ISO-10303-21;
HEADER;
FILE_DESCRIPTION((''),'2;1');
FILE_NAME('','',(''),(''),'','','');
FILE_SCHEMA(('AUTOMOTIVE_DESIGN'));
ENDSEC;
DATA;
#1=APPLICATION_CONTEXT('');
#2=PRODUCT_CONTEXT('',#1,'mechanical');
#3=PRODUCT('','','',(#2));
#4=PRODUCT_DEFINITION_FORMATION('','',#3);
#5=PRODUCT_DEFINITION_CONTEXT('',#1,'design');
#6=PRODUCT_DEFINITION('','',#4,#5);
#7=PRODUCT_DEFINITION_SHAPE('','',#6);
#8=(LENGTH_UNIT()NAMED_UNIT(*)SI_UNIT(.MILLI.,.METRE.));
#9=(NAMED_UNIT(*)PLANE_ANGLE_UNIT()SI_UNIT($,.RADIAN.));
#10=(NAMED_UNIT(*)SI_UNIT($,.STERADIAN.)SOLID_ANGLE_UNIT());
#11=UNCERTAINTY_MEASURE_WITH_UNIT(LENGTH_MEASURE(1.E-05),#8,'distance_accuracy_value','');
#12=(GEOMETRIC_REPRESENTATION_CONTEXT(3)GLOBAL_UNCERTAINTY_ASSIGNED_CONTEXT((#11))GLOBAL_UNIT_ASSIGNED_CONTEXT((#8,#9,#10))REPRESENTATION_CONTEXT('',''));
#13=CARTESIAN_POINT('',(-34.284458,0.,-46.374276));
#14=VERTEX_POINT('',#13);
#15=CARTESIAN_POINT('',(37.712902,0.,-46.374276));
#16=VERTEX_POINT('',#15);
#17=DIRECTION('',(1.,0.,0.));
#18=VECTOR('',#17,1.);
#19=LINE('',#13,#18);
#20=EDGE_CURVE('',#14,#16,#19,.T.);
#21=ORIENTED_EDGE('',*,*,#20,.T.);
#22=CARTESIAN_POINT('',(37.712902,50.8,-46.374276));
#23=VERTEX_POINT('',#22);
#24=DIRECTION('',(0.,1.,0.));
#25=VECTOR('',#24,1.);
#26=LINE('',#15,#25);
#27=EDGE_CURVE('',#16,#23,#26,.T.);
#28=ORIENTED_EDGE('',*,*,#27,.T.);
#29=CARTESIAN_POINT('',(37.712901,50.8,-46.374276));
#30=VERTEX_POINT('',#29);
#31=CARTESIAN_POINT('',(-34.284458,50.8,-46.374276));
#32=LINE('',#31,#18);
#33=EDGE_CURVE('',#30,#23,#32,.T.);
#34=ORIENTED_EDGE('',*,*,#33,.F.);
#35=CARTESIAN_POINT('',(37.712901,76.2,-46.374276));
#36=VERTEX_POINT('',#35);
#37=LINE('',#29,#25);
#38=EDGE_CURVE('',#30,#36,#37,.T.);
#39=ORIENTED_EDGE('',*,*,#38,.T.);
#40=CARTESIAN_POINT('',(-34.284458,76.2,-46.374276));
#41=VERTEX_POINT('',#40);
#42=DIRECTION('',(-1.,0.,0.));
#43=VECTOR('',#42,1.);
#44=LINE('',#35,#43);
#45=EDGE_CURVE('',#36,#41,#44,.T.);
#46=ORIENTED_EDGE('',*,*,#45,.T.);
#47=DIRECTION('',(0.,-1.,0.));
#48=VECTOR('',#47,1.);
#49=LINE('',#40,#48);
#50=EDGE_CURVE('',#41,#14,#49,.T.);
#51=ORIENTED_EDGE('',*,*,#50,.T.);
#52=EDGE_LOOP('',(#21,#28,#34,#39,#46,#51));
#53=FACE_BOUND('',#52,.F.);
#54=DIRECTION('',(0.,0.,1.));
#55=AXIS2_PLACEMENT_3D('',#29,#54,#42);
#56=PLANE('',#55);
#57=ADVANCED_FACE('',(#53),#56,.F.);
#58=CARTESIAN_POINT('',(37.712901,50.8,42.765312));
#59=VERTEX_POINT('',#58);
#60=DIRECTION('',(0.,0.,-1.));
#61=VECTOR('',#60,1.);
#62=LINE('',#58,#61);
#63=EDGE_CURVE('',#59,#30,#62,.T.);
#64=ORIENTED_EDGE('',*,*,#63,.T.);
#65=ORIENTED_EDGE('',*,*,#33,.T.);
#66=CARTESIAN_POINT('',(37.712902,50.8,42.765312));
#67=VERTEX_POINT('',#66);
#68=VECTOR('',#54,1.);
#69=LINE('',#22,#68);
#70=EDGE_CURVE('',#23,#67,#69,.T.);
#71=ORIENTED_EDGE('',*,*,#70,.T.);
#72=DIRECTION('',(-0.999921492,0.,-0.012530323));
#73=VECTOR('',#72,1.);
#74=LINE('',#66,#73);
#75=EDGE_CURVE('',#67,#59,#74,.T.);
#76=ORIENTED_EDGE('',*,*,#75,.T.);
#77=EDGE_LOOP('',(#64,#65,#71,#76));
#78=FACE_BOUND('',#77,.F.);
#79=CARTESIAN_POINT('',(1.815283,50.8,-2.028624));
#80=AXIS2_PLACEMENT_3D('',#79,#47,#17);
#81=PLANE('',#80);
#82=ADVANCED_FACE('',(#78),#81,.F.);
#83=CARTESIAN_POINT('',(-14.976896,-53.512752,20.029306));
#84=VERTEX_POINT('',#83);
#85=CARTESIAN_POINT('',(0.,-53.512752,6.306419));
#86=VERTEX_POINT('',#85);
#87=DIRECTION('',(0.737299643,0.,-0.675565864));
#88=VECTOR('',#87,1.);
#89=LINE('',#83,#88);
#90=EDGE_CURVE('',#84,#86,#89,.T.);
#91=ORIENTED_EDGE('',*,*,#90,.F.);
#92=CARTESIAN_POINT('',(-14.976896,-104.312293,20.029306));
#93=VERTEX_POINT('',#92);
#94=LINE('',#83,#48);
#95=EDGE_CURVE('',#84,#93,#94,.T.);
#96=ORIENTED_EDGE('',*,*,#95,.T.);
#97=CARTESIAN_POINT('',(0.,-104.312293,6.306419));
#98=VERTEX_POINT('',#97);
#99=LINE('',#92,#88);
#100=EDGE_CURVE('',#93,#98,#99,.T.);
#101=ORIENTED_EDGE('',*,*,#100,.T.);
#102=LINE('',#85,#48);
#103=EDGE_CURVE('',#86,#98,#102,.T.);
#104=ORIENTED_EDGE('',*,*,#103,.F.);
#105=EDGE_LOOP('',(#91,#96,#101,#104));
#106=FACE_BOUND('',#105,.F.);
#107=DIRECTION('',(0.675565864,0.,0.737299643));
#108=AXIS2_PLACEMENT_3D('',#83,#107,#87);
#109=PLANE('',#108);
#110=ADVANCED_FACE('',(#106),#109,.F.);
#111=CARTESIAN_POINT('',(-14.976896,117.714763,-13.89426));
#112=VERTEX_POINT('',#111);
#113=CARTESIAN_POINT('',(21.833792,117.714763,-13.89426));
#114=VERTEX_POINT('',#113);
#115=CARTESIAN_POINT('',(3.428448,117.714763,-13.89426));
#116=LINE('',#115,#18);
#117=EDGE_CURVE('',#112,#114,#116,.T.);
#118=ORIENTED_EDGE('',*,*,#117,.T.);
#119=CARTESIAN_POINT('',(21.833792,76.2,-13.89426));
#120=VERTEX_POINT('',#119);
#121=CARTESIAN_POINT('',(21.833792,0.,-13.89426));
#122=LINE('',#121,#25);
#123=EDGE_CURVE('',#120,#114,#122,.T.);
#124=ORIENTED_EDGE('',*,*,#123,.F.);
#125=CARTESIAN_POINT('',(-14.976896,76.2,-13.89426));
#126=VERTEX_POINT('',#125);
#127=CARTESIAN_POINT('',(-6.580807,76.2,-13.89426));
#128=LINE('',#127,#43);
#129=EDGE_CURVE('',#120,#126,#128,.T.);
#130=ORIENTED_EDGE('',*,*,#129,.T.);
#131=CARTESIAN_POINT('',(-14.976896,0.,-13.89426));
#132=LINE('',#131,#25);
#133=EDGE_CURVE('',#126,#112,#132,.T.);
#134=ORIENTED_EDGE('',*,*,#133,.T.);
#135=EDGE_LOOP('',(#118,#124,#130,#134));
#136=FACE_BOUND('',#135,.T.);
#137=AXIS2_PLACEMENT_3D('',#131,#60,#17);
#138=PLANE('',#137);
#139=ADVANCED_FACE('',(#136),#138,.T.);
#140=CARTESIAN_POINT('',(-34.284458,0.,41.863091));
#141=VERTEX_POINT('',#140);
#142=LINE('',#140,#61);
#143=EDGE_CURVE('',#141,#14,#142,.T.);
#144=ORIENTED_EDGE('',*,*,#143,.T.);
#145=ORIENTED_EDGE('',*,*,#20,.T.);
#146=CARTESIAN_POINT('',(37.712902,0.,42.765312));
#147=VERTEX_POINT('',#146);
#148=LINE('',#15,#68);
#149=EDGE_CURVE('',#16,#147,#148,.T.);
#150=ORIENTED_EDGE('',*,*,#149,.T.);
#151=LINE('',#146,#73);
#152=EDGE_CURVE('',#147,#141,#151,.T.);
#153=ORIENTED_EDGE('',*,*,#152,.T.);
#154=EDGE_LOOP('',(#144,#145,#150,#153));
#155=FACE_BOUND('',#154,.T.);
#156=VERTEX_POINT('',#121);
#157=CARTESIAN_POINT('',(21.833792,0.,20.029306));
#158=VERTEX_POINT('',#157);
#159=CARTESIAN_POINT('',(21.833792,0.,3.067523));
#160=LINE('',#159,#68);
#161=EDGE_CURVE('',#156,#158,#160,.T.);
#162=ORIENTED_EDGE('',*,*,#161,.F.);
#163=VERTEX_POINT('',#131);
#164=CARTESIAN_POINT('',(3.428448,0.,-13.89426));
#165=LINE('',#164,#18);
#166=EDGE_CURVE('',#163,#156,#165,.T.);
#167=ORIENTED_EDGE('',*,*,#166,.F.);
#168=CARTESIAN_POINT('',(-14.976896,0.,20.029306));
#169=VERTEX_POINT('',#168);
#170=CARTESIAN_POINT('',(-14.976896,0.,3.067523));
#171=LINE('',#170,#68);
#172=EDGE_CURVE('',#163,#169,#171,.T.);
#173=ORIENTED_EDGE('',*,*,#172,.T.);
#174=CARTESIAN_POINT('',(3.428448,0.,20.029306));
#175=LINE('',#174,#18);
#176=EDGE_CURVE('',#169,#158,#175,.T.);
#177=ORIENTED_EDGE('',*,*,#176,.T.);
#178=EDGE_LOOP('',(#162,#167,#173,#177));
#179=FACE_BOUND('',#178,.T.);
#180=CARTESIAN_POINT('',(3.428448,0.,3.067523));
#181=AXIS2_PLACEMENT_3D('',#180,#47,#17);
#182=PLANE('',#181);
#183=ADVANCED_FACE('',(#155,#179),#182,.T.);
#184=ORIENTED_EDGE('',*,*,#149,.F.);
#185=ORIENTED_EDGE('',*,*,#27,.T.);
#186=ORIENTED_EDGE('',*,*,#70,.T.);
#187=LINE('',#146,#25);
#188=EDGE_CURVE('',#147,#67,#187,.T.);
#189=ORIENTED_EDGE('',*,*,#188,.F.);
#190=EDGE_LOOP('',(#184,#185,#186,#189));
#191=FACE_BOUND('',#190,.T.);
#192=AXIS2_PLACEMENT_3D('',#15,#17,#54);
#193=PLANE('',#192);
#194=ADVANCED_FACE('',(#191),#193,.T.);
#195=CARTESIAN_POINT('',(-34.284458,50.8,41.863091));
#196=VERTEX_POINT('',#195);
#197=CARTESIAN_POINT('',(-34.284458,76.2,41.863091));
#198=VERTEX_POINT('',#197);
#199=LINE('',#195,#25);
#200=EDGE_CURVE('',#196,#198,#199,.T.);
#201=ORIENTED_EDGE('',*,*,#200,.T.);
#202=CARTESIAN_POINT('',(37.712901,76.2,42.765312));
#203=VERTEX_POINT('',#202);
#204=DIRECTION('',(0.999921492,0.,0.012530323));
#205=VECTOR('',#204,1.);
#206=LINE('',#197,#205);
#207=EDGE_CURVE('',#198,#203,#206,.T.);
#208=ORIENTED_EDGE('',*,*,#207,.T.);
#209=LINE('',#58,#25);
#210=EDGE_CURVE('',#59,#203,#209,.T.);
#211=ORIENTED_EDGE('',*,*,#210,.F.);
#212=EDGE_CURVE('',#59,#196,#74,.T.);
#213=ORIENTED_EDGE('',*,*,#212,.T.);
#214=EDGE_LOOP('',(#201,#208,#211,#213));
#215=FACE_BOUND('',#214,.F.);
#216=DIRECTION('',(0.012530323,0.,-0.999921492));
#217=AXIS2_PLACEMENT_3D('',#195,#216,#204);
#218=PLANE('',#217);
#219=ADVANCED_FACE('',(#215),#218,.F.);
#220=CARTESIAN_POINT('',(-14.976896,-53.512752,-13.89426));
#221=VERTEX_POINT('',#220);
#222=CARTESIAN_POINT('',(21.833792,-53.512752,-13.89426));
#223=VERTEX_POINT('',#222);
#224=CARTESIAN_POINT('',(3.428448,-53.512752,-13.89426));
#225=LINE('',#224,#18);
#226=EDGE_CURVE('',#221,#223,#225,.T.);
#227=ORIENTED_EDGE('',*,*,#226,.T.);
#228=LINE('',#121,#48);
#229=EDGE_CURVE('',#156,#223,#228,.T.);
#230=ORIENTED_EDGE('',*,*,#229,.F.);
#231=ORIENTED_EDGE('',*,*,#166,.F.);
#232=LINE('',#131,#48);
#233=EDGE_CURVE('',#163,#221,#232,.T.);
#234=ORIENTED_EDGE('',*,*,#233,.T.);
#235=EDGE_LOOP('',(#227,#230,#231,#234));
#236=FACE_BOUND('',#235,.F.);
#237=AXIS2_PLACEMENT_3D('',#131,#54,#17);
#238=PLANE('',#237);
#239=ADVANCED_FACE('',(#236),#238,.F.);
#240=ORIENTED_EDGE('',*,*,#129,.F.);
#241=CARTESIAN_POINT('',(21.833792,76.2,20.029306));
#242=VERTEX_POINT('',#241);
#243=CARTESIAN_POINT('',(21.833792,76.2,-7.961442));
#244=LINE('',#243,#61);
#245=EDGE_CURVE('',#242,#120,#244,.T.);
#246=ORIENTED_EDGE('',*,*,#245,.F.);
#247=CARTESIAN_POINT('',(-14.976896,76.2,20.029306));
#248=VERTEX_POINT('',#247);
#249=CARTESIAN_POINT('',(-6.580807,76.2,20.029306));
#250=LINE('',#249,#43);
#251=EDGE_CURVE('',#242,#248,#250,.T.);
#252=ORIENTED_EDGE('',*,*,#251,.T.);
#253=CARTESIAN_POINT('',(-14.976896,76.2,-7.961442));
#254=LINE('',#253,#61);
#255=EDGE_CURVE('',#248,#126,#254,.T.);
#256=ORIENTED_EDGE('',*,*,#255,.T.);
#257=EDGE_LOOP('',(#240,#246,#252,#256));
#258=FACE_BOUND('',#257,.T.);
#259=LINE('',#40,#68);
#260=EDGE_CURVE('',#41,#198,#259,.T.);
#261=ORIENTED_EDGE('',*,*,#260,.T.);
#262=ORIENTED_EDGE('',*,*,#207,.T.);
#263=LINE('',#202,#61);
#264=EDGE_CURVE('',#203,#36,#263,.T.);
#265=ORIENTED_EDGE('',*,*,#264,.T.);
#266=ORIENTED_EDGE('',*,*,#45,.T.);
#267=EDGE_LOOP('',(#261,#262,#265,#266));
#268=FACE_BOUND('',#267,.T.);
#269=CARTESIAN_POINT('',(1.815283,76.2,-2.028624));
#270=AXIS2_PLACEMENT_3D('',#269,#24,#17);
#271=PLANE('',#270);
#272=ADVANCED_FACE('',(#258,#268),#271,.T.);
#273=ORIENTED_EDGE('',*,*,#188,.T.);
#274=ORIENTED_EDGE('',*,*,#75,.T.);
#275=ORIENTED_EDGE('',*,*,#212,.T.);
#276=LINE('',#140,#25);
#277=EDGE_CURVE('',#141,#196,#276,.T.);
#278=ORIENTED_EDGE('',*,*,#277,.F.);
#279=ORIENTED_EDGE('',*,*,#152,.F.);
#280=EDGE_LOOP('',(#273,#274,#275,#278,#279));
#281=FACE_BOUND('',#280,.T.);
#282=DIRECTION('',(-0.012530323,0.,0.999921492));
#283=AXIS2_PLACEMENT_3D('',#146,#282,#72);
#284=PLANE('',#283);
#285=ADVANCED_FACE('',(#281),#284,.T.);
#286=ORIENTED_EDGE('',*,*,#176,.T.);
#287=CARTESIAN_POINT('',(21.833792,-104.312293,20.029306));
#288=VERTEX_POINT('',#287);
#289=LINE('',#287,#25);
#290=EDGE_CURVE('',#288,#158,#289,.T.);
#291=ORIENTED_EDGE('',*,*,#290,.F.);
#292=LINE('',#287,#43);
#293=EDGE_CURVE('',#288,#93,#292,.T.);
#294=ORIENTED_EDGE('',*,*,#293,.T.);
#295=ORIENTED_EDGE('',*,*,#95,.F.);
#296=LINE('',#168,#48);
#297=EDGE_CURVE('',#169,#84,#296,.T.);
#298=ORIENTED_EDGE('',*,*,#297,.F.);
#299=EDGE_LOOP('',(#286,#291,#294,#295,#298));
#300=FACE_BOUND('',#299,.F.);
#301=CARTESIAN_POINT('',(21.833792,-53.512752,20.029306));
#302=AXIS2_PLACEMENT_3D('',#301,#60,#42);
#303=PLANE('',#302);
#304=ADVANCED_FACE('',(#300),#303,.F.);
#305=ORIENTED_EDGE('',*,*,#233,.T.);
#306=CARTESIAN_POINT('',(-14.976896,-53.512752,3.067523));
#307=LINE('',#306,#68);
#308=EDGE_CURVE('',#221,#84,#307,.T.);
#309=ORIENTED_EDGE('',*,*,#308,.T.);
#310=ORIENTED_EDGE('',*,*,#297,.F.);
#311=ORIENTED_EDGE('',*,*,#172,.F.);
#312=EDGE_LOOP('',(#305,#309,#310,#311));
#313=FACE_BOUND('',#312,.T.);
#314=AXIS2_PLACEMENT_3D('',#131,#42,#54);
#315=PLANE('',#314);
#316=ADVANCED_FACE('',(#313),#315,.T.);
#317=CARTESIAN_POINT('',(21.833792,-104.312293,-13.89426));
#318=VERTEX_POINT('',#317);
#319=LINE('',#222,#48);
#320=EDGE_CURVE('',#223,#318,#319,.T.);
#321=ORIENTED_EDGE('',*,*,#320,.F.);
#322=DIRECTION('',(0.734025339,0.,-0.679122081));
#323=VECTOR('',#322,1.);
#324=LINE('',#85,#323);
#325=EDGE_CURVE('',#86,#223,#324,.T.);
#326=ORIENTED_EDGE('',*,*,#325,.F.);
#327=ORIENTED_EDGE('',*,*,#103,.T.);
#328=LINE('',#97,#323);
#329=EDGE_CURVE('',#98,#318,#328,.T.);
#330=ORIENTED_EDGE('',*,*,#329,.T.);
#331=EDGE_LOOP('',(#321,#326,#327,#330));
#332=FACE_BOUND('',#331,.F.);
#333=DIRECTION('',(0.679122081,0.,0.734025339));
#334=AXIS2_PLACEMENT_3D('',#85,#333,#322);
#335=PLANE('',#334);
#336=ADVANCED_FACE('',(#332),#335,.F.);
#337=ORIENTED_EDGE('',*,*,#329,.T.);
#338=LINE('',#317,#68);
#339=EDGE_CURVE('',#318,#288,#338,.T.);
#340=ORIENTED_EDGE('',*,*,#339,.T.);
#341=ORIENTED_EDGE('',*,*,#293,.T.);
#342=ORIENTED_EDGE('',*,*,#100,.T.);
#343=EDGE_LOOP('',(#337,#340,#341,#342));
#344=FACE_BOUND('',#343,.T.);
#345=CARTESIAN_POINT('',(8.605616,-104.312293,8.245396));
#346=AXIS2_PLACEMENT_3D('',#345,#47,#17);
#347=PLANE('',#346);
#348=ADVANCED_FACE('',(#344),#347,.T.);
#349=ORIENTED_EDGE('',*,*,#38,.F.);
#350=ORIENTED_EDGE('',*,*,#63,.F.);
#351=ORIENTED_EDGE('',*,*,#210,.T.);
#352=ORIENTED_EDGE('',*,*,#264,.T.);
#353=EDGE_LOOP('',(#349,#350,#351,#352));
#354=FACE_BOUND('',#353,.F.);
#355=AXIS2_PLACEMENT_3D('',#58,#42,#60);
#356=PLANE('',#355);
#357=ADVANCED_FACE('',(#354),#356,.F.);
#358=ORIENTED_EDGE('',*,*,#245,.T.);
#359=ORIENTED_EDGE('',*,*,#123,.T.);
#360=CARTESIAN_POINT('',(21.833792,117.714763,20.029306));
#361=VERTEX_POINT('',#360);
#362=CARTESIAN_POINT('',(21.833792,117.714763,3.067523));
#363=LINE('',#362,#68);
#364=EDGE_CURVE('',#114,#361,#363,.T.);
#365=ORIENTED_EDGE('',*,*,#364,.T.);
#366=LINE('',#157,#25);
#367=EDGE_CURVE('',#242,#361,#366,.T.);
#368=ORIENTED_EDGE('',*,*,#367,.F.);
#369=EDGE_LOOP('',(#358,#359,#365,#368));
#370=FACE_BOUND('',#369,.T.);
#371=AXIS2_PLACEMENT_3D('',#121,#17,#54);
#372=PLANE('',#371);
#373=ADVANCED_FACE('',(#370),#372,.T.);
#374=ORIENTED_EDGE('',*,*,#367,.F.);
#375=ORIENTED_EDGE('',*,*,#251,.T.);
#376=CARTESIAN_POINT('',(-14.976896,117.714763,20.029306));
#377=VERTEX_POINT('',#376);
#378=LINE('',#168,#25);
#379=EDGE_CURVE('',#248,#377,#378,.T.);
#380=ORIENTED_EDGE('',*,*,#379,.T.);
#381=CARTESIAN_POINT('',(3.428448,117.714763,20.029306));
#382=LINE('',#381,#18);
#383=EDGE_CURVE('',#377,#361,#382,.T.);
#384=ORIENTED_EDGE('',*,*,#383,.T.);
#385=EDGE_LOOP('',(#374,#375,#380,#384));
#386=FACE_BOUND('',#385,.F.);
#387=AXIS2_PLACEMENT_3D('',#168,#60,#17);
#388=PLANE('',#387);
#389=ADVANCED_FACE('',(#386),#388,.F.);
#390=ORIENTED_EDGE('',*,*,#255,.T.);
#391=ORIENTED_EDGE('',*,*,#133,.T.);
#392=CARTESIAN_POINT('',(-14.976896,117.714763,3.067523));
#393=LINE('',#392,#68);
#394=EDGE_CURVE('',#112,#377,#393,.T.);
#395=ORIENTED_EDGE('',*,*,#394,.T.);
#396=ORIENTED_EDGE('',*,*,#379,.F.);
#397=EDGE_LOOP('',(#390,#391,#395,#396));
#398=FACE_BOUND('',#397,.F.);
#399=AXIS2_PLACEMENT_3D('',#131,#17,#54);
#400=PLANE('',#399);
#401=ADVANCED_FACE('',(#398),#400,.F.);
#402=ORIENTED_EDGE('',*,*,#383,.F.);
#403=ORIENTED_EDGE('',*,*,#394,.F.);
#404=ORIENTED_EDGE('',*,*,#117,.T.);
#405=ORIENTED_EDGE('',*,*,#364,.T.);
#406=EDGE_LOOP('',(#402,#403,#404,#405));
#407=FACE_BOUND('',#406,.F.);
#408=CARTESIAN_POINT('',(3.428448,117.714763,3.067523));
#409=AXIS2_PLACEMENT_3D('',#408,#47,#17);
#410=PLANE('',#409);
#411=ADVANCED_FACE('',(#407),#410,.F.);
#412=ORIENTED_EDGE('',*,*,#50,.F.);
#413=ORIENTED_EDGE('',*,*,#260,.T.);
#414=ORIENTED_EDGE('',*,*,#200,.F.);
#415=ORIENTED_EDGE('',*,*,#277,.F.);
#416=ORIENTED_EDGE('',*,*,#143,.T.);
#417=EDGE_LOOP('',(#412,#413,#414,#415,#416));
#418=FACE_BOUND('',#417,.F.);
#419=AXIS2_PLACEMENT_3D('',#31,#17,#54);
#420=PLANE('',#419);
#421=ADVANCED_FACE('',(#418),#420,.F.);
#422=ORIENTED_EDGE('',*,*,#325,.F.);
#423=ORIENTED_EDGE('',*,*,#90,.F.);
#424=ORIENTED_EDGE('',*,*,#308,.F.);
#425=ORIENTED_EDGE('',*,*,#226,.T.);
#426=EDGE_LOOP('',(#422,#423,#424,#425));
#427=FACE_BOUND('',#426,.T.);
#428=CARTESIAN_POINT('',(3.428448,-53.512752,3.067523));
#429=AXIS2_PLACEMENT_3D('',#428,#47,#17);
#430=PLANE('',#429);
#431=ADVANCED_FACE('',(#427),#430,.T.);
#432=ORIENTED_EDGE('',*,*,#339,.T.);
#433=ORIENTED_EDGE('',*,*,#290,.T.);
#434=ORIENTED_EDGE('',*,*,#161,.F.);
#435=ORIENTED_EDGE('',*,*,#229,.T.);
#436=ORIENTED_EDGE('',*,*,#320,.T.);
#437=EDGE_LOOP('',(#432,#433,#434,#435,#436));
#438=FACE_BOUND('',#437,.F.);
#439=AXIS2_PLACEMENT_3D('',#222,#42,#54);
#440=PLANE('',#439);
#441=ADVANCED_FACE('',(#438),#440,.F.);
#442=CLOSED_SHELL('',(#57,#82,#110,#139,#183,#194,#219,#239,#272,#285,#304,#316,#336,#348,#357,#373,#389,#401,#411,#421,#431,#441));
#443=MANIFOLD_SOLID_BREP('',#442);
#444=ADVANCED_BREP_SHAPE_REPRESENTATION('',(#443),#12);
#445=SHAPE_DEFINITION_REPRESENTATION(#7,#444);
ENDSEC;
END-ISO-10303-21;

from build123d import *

# Parameters (mm, degrees)
F1_DEPTH = 50.8
F2_DEPTH = 25.4
F4_W     = 36.810688
F4_H     = 33.923566
F6_DEPTH = 117.714763
F7_DEPTH = 53.512752
F9_DEPTH = 50.799541


with BuildPart() as f1:
    # F0 (on Front) → F1 (new body)
    with BuildSketch(Plane.XZ):
        Polygon((37.712902, 42.765312), (-34.284458, 41.863091), (-34.284458, -46.374276), (37.712902, -46.374276), align=None)
    extrude(amount=-F1_DEPTH)

    # F1_face (on face) → F2 (join)
    with BuildSketch(Plane(origin=(1.775257, 50.8, -2.029655), x_dir=(1, 0, 0), z_dir=(0, 1, 0))):
        Polygon((-36.059715, -43.892746), (35.937644, -44.794967), (35.937644, 44.344621), (-36.059715, 44.344621), align=None)
    extrude(amount=F2_DEPTH)

    # F4 (on face) → F6 (join)
    with BuildSketch(Plane.XZ):
        with Locations((3.428448, 3.067523)):
            Rectangle(F4_W, F4_H)
    extrude(amount=-F6_DEPTH)

    # F4 (on face) → F7 (join)
    with BuildSketch(Plane.XZ):
        with Locations((3.428448, 3.067523)):
            Rectangle(F4_W, F4_H)
    extrude(amount=F7_DEPTH)

    # F8 (on face) → F9 (join)
    with BuildSketch(Plane.XZ.offset(53.512752)):
        Polygon((-14.976896, 20.029306), (0, 6.306419), (21.833792, -13.89426), (21.833792, 20.029306), align=None)
    extrude(amount=F9_DEPTH)


solid = f1.part
